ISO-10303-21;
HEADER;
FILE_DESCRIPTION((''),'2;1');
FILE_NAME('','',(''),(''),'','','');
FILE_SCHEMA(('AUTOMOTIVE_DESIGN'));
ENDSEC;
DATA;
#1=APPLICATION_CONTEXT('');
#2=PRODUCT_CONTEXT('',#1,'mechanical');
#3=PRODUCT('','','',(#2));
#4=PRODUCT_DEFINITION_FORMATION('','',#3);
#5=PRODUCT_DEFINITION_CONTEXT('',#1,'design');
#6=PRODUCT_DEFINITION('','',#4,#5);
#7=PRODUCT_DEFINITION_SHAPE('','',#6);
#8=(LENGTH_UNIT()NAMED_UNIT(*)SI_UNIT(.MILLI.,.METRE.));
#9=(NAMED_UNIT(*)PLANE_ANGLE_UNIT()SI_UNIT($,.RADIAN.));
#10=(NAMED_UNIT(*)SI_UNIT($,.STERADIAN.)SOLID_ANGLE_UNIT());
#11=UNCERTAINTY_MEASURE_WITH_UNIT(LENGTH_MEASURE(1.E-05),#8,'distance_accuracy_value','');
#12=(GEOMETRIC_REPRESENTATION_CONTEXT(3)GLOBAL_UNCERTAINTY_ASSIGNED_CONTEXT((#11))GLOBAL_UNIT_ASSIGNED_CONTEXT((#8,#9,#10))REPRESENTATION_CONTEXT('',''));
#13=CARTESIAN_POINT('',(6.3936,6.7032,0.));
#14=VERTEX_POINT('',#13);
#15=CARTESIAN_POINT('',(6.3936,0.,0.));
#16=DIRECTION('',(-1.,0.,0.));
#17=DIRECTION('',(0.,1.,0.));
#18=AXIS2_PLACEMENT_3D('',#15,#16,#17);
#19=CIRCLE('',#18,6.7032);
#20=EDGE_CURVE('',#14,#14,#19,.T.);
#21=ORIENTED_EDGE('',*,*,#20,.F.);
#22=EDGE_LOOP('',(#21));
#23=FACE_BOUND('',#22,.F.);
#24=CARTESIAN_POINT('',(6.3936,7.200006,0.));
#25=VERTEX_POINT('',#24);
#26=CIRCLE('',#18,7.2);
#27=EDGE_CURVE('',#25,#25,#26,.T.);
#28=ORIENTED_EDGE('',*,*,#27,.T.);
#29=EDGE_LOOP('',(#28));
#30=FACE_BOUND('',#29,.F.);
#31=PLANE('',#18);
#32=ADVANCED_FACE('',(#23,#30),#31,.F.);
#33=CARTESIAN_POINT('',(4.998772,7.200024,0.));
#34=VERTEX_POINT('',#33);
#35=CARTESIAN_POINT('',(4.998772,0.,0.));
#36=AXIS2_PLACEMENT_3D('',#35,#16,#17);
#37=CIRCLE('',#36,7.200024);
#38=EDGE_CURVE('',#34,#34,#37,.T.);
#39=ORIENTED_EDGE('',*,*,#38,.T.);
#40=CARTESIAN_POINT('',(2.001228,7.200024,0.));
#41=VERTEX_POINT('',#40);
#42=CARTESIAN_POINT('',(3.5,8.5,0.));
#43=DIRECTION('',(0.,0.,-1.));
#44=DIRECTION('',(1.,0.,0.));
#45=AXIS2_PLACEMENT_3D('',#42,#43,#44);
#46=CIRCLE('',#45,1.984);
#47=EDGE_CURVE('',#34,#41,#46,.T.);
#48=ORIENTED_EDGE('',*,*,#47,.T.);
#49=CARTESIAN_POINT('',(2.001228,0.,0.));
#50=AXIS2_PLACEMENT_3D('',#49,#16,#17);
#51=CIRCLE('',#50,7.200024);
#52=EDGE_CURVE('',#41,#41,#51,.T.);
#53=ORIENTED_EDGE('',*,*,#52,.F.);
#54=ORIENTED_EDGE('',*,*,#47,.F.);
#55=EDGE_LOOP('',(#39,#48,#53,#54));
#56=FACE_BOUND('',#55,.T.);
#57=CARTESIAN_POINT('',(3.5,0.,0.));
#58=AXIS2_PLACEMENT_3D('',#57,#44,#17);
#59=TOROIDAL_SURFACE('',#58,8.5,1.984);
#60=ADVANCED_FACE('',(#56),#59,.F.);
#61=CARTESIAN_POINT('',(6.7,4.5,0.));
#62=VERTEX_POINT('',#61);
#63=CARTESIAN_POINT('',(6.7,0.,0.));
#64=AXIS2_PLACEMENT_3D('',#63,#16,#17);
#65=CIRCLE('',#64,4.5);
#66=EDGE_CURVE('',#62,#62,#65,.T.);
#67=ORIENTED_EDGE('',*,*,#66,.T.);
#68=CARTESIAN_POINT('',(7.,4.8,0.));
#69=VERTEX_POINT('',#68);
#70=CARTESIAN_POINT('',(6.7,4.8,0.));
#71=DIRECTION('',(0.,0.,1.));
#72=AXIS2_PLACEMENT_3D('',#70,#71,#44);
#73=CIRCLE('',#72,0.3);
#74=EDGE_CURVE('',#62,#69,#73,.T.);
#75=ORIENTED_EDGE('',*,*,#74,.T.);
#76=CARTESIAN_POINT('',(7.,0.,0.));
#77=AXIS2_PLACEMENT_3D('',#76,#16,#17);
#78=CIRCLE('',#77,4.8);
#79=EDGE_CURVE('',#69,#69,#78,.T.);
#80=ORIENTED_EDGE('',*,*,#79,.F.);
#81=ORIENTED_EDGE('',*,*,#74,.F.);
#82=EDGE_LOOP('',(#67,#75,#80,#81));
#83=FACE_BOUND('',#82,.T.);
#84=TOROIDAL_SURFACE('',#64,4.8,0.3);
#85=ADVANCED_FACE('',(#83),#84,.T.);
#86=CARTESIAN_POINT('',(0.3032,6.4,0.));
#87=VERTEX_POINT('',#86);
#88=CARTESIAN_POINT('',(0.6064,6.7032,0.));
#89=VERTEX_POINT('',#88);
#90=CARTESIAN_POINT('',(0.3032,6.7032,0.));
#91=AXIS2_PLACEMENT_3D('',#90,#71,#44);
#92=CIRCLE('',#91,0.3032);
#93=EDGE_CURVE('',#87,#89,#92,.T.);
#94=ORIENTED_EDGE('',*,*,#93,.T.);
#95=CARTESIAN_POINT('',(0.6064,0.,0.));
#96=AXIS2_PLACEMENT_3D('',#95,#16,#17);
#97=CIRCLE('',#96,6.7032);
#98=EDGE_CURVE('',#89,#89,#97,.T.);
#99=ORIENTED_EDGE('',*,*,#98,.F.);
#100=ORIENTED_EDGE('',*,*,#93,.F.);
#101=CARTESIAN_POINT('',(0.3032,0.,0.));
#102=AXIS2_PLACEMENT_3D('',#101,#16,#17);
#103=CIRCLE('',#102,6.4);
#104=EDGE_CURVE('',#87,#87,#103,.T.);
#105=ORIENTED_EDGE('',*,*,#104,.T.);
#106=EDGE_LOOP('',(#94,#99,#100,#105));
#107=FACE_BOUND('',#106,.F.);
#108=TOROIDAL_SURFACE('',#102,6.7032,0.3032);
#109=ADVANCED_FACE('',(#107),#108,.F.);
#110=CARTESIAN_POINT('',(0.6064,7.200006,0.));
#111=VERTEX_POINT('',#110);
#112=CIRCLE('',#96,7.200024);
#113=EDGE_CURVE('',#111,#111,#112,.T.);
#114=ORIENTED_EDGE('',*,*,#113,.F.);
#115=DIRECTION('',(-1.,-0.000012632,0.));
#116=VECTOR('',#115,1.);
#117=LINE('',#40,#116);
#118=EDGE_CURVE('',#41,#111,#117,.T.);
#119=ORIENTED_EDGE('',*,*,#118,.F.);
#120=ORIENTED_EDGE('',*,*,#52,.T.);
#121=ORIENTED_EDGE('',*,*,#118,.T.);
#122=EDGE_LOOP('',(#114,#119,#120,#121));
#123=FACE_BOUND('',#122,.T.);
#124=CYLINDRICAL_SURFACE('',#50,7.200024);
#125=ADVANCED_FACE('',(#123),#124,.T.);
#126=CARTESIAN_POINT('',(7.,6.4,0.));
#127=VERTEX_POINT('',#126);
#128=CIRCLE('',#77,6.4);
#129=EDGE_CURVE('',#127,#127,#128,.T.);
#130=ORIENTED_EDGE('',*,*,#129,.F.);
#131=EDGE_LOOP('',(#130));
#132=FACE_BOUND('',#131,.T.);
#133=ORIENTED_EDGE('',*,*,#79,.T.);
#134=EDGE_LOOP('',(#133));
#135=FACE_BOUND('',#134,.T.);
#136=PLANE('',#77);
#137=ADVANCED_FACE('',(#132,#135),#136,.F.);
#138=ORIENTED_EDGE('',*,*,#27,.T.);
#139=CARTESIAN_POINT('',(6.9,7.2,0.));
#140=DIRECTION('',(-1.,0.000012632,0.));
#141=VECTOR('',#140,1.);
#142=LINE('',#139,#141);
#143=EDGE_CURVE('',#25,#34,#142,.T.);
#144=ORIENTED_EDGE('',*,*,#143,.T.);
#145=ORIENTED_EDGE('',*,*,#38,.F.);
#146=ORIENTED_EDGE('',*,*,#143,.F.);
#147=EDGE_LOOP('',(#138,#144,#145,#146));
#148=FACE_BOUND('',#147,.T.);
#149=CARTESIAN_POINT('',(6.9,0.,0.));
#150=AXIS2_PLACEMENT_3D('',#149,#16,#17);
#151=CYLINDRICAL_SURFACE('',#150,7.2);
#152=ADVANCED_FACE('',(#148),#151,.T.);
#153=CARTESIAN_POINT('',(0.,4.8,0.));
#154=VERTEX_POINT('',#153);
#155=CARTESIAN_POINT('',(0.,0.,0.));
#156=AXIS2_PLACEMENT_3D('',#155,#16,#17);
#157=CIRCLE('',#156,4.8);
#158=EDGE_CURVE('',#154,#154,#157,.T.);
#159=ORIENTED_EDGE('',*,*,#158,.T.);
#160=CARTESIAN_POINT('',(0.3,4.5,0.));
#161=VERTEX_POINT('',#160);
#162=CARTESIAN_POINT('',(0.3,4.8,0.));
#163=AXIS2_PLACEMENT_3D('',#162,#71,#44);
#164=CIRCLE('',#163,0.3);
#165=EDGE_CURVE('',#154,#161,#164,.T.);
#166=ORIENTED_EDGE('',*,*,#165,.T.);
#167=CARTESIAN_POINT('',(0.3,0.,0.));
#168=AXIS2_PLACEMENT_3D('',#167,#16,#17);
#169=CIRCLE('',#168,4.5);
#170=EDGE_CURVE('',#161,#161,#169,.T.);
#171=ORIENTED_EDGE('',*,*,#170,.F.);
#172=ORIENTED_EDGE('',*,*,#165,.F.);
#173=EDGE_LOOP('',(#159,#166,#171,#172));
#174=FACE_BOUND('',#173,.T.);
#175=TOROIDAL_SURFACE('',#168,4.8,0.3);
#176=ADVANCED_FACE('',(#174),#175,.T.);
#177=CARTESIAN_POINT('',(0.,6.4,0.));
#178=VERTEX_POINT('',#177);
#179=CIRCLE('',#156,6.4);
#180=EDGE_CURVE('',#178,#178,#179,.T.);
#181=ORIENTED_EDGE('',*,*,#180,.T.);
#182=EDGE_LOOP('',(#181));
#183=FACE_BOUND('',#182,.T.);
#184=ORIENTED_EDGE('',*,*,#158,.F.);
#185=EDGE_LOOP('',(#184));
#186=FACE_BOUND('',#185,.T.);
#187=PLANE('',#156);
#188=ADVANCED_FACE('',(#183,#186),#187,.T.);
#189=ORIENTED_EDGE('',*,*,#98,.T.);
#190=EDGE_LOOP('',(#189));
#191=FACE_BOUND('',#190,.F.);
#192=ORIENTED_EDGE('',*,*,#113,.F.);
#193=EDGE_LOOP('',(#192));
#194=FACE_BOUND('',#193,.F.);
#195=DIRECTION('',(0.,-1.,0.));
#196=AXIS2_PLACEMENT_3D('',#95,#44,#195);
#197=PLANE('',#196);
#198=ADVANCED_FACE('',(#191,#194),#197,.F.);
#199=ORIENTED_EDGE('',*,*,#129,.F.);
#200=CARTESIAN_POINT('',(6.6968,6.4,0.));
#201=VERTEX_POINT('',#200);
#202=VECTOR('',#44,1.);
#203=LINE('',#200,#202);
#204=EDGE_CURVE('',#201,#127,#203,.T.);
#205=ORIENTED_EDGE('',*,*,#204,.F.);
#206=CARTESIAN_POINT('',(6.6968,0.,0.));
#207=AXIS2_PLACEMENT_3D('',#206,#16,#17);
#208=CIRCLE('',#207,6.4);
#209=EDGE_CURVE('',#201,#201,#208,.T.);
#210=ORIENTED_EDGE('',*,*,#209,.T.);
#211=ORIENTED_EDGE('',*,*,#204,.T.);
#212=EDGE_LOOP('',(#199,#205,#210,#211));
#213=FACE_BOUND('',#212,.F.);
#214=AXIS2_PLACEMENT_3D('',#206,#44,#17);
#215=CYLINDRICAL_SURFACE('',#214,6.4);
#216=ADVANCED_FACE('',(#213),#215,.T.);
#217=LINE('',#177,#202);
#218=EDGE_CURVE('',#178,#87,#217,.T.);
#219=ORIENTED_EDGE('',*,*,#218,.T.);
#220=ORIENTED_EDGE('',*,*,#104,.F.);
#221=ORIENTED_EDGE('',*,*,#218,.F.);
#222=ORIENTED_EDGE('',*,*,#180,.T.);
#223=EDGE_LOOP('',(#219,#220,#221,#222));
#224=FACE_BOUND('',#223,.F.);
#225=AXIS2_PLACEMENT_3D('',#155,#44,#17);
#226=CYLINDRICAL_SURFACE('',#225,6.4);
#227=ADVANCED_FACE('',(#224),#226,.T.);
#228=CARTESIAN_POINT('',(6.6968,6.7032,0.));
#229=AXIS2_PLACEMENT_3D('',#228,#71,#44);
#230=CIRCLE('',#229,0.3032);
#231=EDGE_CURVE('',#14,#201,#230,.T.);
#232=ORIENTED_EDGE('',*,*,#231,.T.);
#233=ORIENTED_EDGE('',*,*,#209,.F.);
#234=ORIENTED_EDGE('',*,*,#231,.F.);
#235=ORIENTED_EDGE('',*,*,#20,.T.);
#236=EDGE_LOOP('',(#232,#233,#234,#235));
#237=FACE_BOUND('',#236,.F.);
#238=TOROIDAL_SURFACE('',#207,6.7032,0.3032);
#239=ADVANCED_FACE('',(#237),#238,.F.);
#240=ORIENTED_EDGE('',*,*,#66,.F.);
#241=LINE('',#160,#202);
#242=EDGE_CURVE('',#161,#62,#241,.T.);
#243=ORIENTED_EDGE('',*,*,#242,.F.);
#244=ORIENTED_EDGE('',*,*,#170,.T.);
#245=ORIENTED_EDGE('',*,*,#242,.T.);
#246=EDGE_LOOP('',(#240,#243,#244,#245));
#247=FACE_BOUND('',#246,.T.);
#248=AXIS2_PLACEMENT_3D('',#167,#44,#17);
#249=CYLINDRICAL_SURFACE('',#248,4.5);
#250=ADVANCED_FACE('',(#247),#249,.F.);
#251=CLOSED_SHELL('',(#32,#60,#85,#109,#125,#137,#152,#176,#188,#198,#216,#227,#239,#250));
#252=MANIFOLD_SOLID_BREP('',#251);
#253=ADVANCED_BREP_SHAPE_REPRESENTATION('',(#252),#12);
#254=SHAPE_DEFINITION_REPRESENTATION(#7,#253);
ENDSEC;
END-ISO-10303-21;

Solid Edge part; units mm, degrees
sketch "Sketch1" plane through (0, 0, 0) normal (0, 0, 1) x (1, 0, 0)
  arc A0 (0, 4.8) -> (0.3, 4.5) centre (0.3, 4.8) ccw
  line L0 (0.3, 4.5) -> (6.7, 4.5)
  arc A1 (6.7, 4.5) -> (7, 4.8) centre (6.7, 4.8) ccw
  line L1 (7, 4.8) -> (7, 7.1)
  arc A2 (7, 7.1) -> (6.9, 7.2) centre (6.9, 7.1) ccw
  line L2 (6.9, 7.2) -> (4.9988, 7.2)
  arc A3 (4.9988, 7.2) -> (2.0012, 7.2) centre (3.5, 8.5) cw
  line L3 (2.0012, 7.2) -> (0.1, 7.2)
  arc A4 (0.1, 7.2) -> (0, 7.1) centre (0.1, 7.1) ccw
  line L4 (0, 7.1) -> (0, 4.8)
revolve "RevolvedProtrusion1" add sketch "Sketch1" angle 360 about axis through (6.7, 0, 0) along (-1, 0, 0)
sketch "Sketch2" plane through (0, 0, 0) normal (0, 0, 1) x (1, 0, 0)
  line L0 (0, 6.4) -> (0.3032, 6.4)
  arc A0 (0.3032, 6.4) -> (0.6064, 6.7032) centre (0.3032, 6.7032) ccw
  line L1 (0.6064, 6.7032) -> (0.6064, 8)
  line L2 (0.6064, 8) -> (6.3936, 8)
  line L3 (6.3936, 8) -> (6.3936, 6.7032)
  arc A1 (6.3936, 6.7032) -> (6.6968, 6.4) centre (6.6968, 6.7032) ccw
  line L4 (6.6968, 6.4) -> (7, 6.4)
  line L5 (7, 6.4) -> (7, 8.8)
  line L6 (7, 8.8) -> (0, 8.8)
  line L7 (0, 8.8) -> (0, 6.4)
revolve "RevolvedCutout1" cut sketch "Sketch2" angle 360 about axis through (7, 0, 0) along (-1, 0, 0)
